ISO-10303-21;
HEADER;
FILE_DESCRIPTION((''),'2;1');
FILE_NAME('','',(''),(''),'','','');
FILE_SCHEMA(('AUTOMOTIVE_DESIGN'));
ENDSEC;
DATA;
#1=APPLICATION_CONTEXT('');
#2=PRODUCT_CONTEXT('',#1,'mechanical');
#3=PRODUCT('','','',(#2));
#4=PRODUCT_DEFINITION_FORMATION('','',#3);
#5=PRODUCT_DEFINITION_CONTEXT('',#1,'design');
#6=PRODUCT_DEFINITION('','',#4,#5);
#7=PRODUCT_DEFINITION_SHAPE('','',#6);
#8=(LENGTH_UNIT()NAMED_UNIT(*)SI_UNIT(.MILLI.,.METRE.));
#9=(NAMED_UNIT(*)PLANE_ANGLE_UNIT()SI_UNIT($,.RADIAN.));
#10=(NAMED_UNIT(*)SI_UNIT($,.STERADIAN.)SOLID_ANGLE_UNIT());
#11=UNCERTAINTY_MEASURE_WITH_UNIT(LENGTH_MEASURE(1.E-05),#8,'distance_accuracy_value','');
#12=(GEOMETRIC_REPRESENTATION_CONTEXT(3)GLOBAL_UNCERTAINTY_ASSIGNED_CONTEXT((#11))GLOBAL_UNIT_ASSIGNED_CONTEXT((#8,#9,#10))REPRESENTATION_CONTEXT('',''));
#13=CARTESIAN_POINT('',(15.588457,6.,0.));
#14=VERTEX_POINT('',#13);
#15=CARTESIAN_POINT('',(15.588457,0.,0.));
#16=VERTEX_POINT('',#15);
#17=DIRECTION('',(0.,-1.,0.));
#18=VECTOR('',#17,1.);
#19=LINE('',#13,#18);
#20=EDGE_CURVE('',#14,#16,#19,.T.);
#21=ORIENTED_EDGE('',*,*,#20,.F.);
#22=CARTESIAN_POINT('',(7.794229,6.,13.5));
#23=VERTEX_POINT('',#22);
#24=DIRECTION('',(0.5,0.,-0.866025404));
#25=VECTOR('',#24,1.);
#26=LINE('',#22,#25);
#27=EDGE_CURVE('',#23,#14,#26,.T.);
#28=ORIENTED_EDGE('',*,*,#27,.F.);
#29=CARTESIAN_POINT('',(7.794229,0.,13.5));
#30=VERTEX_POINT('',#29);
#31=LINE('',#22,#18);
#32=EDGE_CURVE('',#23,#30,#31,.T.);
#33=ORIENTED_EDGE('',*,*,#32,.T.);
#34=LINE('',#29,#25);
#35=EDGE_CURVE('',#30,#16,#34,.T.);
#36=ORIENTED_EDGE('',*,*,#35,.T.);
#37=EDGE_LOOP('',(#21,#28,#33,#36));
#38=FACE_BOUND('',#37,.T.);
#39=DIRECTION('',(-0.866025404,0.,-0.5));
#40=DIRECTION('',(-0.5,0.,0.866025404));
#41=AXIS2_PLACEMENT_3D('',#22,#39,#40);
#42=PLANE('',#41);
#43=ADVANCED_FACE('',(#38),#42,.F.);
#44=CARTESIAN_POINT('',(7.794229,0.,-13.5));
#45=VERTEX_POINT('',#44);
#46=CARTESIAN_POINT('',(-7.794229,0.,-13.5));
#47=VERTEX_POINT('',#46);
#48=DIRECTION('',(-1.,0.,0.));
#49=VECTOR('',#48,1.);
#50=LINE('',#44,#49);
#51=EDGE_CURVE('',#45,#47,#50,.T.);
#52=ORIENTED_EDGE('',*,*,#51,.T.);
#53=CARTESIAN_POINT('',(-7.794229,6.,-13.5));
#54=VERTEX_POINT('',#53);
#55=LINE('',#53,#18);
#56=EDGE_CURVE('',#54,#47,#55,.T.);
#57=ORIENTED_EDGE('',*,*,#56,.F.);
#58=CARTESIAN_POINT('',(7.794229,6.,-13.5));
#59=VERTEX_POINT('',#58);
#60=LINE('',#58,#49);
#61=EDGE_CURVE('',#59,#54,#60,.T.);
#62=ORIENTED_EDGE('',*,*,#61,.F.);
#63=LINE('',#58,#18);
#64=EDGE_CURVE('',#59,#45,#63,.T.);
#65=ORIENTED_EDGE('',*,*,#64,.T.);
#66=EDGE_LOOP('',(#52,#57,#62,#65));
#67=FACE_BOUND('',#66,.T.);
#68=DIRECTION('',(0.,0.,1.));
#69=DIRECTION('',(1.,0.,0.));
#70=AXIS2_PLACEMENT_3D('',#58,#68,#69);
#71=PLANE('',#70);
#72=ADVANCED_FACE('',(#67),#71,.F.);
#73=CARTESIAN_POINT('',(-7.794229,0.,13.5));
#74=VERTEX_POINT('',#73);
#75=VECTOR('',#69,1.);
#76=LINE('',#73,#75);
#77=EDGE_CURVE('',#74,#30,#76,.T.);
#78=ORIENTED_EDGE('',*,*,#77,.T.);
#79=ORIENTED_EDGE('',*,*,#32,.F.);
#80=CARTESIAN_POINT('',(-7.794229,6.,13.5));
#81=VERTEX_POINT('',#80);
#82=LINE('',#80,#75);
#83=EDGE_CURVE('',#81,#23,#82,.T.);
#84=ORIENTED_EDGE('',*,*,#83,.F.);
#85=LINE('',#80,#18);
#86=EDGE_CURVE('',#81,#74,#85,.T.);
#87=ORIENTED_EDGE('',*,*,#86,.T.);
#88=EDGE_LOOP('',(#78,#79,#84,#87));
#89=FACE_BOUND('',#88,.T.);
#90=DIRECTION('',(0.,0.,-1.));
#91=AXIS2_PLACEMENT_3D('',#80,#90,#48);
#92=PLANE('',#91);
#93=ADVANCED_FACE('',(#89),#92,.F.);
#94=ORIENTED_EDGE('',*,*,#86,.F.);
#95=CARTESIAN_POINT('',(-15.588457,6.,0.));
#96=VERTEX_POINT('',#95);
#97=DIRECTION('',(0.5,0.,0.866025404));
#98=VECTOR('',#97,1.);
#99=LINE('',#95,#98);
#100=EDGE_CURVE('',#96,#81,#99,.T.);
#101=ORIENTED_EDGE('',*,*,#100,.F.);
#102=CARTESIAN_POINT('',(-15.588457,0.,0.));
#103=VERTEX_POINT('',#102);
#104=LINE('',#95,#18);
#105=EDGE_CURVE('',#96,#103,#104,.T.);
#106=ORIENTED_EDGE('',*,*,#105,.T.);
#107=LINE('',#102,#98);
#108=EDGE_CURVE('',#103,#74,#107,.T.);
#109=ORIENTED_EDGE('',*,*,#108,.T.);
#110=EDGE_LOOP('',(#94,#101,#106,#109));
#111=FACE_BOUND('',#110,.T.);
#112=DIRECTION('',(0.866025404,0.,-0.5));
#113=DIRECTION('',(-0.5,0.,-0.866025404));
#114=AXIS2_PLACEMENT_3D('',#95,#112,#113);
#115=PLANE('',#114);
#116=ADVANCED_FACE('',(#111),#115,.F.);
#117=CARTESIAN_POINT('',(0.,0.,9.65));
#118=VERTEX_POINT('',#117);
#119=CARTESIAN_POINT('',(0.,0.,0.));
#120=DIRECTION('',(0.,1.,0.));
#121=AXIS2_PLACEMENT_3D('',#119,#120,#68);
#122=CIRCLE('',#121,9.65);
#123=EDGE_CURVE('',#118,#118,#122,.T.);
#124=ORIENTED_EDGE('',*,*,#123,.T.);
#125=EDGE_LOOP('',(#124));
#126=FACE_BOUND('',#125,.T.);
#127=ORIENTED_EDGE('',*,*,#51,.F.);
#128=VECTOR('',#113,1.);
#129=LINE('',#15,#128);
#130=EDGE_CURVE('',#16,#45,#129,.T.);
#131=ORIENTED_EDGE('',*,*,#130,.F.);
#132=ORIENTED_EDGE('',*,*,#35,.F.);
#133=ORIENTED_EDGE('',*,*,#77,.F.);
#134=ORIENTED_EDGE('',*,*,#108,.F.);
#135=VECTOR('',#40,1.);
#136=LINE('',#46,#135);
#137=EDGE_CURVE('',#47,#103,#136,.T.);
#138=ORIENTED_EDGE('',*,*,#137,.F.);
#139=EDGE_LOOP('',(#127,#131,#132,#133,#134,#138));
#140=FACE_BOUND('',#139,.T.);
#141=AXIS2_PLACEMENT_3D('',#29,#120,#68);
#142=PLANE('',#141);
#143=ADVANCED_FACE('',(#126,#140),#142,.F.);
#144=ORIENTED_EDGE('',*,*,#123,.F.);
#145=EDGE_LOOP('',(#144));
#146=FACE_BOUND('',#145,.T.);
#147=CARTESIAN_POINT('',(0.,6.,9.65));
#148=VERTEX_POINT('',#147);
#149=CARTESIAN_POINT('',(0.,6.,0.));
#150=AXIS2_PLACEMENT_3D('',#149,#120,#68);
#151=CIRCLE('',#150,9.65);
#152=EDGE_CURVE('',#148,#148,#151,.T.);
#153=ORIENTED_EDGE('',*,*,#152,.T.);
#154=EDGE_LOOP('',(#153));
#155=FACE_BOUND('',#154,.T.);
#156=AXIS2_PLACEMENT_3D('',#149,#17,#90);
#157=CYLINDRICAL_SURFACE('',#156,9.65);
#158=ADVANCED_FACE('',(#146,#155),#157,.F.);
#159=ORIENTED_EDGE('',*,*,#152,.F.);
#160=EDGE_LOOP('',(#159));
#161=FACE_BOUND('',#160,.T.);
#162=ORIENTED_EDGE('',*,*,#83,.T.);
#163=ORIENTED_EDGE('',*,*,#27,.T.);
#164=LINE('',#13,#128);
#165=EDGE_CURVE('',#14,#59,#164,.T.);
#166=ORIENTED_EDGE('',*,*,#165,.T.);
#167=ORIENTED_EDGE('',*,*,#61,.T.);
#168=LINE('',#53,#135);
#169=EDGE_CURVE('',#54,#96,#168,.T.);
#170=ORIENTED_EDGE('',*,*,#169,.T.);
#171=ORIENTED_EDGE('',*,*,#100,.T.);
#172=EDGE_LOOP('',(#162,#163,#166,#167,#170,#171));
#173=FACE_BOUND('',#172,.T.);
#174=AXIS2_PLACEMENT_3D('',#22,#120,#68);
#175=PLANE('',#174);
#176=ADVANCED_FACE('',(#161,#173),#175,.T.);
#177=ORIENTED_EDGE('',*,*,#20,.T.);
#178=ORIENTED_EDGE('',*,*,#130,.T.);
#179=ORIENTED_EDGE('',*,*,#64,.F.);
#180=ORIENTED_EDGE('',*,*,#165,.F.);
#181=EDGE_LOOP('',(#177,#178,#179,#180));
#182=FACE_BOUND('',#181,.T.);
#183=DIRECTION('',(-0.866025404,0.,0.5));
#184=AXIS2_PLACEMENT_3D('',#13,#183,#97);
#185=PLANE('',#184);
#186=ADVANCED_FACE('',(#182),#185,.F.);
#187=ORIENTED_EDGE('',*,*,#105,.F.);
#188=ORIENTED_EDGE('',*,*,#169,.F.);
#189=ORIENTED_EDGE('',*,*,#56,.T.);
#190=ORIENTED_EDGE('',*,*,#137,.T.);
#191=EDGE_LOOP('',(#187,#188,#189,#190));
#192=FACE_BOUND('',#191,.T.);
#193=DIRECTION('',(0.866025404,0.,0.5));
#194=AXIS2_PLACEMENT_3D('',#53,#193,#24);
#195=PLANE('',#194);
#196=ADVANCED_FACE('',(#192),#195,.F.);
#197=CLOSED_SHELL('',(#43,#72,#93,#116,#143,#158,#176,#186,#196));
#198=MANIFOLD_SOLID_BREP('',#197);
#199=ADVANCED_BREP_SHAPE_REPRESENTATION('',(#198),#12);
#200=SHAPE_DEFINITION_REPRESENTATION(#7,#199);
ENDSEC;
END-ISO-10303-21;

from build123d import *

# Parameters (mm, degrees)
ESQUISSE1_R      = 9.65
EXTRUSION1_DEPTH = 6


with BuildPart() as part:
    # Esquisse1 → Extrusion1 (new body)
    with BuildSketch(Plane(origin=(0, 0, 0), x_dir=(1, 0, 0), z_dir=(0, 1, 0))):
        Polygon((7.794228634, -13.5), (15.588457268, 0), (7.794228634, 13.5), (-7.794228634, 13.5), (-15.588457268, 0), (-7.794228634, -13.5), align=None)
        with Locations(Location((0, 0, 0), (0, 0, 270))):
            Circle(ESQUISSE1_R, mode=Mode.SUBTRACT)
    extrude(amount=EXTRUSION1_DEPTH)


solid = part.part
